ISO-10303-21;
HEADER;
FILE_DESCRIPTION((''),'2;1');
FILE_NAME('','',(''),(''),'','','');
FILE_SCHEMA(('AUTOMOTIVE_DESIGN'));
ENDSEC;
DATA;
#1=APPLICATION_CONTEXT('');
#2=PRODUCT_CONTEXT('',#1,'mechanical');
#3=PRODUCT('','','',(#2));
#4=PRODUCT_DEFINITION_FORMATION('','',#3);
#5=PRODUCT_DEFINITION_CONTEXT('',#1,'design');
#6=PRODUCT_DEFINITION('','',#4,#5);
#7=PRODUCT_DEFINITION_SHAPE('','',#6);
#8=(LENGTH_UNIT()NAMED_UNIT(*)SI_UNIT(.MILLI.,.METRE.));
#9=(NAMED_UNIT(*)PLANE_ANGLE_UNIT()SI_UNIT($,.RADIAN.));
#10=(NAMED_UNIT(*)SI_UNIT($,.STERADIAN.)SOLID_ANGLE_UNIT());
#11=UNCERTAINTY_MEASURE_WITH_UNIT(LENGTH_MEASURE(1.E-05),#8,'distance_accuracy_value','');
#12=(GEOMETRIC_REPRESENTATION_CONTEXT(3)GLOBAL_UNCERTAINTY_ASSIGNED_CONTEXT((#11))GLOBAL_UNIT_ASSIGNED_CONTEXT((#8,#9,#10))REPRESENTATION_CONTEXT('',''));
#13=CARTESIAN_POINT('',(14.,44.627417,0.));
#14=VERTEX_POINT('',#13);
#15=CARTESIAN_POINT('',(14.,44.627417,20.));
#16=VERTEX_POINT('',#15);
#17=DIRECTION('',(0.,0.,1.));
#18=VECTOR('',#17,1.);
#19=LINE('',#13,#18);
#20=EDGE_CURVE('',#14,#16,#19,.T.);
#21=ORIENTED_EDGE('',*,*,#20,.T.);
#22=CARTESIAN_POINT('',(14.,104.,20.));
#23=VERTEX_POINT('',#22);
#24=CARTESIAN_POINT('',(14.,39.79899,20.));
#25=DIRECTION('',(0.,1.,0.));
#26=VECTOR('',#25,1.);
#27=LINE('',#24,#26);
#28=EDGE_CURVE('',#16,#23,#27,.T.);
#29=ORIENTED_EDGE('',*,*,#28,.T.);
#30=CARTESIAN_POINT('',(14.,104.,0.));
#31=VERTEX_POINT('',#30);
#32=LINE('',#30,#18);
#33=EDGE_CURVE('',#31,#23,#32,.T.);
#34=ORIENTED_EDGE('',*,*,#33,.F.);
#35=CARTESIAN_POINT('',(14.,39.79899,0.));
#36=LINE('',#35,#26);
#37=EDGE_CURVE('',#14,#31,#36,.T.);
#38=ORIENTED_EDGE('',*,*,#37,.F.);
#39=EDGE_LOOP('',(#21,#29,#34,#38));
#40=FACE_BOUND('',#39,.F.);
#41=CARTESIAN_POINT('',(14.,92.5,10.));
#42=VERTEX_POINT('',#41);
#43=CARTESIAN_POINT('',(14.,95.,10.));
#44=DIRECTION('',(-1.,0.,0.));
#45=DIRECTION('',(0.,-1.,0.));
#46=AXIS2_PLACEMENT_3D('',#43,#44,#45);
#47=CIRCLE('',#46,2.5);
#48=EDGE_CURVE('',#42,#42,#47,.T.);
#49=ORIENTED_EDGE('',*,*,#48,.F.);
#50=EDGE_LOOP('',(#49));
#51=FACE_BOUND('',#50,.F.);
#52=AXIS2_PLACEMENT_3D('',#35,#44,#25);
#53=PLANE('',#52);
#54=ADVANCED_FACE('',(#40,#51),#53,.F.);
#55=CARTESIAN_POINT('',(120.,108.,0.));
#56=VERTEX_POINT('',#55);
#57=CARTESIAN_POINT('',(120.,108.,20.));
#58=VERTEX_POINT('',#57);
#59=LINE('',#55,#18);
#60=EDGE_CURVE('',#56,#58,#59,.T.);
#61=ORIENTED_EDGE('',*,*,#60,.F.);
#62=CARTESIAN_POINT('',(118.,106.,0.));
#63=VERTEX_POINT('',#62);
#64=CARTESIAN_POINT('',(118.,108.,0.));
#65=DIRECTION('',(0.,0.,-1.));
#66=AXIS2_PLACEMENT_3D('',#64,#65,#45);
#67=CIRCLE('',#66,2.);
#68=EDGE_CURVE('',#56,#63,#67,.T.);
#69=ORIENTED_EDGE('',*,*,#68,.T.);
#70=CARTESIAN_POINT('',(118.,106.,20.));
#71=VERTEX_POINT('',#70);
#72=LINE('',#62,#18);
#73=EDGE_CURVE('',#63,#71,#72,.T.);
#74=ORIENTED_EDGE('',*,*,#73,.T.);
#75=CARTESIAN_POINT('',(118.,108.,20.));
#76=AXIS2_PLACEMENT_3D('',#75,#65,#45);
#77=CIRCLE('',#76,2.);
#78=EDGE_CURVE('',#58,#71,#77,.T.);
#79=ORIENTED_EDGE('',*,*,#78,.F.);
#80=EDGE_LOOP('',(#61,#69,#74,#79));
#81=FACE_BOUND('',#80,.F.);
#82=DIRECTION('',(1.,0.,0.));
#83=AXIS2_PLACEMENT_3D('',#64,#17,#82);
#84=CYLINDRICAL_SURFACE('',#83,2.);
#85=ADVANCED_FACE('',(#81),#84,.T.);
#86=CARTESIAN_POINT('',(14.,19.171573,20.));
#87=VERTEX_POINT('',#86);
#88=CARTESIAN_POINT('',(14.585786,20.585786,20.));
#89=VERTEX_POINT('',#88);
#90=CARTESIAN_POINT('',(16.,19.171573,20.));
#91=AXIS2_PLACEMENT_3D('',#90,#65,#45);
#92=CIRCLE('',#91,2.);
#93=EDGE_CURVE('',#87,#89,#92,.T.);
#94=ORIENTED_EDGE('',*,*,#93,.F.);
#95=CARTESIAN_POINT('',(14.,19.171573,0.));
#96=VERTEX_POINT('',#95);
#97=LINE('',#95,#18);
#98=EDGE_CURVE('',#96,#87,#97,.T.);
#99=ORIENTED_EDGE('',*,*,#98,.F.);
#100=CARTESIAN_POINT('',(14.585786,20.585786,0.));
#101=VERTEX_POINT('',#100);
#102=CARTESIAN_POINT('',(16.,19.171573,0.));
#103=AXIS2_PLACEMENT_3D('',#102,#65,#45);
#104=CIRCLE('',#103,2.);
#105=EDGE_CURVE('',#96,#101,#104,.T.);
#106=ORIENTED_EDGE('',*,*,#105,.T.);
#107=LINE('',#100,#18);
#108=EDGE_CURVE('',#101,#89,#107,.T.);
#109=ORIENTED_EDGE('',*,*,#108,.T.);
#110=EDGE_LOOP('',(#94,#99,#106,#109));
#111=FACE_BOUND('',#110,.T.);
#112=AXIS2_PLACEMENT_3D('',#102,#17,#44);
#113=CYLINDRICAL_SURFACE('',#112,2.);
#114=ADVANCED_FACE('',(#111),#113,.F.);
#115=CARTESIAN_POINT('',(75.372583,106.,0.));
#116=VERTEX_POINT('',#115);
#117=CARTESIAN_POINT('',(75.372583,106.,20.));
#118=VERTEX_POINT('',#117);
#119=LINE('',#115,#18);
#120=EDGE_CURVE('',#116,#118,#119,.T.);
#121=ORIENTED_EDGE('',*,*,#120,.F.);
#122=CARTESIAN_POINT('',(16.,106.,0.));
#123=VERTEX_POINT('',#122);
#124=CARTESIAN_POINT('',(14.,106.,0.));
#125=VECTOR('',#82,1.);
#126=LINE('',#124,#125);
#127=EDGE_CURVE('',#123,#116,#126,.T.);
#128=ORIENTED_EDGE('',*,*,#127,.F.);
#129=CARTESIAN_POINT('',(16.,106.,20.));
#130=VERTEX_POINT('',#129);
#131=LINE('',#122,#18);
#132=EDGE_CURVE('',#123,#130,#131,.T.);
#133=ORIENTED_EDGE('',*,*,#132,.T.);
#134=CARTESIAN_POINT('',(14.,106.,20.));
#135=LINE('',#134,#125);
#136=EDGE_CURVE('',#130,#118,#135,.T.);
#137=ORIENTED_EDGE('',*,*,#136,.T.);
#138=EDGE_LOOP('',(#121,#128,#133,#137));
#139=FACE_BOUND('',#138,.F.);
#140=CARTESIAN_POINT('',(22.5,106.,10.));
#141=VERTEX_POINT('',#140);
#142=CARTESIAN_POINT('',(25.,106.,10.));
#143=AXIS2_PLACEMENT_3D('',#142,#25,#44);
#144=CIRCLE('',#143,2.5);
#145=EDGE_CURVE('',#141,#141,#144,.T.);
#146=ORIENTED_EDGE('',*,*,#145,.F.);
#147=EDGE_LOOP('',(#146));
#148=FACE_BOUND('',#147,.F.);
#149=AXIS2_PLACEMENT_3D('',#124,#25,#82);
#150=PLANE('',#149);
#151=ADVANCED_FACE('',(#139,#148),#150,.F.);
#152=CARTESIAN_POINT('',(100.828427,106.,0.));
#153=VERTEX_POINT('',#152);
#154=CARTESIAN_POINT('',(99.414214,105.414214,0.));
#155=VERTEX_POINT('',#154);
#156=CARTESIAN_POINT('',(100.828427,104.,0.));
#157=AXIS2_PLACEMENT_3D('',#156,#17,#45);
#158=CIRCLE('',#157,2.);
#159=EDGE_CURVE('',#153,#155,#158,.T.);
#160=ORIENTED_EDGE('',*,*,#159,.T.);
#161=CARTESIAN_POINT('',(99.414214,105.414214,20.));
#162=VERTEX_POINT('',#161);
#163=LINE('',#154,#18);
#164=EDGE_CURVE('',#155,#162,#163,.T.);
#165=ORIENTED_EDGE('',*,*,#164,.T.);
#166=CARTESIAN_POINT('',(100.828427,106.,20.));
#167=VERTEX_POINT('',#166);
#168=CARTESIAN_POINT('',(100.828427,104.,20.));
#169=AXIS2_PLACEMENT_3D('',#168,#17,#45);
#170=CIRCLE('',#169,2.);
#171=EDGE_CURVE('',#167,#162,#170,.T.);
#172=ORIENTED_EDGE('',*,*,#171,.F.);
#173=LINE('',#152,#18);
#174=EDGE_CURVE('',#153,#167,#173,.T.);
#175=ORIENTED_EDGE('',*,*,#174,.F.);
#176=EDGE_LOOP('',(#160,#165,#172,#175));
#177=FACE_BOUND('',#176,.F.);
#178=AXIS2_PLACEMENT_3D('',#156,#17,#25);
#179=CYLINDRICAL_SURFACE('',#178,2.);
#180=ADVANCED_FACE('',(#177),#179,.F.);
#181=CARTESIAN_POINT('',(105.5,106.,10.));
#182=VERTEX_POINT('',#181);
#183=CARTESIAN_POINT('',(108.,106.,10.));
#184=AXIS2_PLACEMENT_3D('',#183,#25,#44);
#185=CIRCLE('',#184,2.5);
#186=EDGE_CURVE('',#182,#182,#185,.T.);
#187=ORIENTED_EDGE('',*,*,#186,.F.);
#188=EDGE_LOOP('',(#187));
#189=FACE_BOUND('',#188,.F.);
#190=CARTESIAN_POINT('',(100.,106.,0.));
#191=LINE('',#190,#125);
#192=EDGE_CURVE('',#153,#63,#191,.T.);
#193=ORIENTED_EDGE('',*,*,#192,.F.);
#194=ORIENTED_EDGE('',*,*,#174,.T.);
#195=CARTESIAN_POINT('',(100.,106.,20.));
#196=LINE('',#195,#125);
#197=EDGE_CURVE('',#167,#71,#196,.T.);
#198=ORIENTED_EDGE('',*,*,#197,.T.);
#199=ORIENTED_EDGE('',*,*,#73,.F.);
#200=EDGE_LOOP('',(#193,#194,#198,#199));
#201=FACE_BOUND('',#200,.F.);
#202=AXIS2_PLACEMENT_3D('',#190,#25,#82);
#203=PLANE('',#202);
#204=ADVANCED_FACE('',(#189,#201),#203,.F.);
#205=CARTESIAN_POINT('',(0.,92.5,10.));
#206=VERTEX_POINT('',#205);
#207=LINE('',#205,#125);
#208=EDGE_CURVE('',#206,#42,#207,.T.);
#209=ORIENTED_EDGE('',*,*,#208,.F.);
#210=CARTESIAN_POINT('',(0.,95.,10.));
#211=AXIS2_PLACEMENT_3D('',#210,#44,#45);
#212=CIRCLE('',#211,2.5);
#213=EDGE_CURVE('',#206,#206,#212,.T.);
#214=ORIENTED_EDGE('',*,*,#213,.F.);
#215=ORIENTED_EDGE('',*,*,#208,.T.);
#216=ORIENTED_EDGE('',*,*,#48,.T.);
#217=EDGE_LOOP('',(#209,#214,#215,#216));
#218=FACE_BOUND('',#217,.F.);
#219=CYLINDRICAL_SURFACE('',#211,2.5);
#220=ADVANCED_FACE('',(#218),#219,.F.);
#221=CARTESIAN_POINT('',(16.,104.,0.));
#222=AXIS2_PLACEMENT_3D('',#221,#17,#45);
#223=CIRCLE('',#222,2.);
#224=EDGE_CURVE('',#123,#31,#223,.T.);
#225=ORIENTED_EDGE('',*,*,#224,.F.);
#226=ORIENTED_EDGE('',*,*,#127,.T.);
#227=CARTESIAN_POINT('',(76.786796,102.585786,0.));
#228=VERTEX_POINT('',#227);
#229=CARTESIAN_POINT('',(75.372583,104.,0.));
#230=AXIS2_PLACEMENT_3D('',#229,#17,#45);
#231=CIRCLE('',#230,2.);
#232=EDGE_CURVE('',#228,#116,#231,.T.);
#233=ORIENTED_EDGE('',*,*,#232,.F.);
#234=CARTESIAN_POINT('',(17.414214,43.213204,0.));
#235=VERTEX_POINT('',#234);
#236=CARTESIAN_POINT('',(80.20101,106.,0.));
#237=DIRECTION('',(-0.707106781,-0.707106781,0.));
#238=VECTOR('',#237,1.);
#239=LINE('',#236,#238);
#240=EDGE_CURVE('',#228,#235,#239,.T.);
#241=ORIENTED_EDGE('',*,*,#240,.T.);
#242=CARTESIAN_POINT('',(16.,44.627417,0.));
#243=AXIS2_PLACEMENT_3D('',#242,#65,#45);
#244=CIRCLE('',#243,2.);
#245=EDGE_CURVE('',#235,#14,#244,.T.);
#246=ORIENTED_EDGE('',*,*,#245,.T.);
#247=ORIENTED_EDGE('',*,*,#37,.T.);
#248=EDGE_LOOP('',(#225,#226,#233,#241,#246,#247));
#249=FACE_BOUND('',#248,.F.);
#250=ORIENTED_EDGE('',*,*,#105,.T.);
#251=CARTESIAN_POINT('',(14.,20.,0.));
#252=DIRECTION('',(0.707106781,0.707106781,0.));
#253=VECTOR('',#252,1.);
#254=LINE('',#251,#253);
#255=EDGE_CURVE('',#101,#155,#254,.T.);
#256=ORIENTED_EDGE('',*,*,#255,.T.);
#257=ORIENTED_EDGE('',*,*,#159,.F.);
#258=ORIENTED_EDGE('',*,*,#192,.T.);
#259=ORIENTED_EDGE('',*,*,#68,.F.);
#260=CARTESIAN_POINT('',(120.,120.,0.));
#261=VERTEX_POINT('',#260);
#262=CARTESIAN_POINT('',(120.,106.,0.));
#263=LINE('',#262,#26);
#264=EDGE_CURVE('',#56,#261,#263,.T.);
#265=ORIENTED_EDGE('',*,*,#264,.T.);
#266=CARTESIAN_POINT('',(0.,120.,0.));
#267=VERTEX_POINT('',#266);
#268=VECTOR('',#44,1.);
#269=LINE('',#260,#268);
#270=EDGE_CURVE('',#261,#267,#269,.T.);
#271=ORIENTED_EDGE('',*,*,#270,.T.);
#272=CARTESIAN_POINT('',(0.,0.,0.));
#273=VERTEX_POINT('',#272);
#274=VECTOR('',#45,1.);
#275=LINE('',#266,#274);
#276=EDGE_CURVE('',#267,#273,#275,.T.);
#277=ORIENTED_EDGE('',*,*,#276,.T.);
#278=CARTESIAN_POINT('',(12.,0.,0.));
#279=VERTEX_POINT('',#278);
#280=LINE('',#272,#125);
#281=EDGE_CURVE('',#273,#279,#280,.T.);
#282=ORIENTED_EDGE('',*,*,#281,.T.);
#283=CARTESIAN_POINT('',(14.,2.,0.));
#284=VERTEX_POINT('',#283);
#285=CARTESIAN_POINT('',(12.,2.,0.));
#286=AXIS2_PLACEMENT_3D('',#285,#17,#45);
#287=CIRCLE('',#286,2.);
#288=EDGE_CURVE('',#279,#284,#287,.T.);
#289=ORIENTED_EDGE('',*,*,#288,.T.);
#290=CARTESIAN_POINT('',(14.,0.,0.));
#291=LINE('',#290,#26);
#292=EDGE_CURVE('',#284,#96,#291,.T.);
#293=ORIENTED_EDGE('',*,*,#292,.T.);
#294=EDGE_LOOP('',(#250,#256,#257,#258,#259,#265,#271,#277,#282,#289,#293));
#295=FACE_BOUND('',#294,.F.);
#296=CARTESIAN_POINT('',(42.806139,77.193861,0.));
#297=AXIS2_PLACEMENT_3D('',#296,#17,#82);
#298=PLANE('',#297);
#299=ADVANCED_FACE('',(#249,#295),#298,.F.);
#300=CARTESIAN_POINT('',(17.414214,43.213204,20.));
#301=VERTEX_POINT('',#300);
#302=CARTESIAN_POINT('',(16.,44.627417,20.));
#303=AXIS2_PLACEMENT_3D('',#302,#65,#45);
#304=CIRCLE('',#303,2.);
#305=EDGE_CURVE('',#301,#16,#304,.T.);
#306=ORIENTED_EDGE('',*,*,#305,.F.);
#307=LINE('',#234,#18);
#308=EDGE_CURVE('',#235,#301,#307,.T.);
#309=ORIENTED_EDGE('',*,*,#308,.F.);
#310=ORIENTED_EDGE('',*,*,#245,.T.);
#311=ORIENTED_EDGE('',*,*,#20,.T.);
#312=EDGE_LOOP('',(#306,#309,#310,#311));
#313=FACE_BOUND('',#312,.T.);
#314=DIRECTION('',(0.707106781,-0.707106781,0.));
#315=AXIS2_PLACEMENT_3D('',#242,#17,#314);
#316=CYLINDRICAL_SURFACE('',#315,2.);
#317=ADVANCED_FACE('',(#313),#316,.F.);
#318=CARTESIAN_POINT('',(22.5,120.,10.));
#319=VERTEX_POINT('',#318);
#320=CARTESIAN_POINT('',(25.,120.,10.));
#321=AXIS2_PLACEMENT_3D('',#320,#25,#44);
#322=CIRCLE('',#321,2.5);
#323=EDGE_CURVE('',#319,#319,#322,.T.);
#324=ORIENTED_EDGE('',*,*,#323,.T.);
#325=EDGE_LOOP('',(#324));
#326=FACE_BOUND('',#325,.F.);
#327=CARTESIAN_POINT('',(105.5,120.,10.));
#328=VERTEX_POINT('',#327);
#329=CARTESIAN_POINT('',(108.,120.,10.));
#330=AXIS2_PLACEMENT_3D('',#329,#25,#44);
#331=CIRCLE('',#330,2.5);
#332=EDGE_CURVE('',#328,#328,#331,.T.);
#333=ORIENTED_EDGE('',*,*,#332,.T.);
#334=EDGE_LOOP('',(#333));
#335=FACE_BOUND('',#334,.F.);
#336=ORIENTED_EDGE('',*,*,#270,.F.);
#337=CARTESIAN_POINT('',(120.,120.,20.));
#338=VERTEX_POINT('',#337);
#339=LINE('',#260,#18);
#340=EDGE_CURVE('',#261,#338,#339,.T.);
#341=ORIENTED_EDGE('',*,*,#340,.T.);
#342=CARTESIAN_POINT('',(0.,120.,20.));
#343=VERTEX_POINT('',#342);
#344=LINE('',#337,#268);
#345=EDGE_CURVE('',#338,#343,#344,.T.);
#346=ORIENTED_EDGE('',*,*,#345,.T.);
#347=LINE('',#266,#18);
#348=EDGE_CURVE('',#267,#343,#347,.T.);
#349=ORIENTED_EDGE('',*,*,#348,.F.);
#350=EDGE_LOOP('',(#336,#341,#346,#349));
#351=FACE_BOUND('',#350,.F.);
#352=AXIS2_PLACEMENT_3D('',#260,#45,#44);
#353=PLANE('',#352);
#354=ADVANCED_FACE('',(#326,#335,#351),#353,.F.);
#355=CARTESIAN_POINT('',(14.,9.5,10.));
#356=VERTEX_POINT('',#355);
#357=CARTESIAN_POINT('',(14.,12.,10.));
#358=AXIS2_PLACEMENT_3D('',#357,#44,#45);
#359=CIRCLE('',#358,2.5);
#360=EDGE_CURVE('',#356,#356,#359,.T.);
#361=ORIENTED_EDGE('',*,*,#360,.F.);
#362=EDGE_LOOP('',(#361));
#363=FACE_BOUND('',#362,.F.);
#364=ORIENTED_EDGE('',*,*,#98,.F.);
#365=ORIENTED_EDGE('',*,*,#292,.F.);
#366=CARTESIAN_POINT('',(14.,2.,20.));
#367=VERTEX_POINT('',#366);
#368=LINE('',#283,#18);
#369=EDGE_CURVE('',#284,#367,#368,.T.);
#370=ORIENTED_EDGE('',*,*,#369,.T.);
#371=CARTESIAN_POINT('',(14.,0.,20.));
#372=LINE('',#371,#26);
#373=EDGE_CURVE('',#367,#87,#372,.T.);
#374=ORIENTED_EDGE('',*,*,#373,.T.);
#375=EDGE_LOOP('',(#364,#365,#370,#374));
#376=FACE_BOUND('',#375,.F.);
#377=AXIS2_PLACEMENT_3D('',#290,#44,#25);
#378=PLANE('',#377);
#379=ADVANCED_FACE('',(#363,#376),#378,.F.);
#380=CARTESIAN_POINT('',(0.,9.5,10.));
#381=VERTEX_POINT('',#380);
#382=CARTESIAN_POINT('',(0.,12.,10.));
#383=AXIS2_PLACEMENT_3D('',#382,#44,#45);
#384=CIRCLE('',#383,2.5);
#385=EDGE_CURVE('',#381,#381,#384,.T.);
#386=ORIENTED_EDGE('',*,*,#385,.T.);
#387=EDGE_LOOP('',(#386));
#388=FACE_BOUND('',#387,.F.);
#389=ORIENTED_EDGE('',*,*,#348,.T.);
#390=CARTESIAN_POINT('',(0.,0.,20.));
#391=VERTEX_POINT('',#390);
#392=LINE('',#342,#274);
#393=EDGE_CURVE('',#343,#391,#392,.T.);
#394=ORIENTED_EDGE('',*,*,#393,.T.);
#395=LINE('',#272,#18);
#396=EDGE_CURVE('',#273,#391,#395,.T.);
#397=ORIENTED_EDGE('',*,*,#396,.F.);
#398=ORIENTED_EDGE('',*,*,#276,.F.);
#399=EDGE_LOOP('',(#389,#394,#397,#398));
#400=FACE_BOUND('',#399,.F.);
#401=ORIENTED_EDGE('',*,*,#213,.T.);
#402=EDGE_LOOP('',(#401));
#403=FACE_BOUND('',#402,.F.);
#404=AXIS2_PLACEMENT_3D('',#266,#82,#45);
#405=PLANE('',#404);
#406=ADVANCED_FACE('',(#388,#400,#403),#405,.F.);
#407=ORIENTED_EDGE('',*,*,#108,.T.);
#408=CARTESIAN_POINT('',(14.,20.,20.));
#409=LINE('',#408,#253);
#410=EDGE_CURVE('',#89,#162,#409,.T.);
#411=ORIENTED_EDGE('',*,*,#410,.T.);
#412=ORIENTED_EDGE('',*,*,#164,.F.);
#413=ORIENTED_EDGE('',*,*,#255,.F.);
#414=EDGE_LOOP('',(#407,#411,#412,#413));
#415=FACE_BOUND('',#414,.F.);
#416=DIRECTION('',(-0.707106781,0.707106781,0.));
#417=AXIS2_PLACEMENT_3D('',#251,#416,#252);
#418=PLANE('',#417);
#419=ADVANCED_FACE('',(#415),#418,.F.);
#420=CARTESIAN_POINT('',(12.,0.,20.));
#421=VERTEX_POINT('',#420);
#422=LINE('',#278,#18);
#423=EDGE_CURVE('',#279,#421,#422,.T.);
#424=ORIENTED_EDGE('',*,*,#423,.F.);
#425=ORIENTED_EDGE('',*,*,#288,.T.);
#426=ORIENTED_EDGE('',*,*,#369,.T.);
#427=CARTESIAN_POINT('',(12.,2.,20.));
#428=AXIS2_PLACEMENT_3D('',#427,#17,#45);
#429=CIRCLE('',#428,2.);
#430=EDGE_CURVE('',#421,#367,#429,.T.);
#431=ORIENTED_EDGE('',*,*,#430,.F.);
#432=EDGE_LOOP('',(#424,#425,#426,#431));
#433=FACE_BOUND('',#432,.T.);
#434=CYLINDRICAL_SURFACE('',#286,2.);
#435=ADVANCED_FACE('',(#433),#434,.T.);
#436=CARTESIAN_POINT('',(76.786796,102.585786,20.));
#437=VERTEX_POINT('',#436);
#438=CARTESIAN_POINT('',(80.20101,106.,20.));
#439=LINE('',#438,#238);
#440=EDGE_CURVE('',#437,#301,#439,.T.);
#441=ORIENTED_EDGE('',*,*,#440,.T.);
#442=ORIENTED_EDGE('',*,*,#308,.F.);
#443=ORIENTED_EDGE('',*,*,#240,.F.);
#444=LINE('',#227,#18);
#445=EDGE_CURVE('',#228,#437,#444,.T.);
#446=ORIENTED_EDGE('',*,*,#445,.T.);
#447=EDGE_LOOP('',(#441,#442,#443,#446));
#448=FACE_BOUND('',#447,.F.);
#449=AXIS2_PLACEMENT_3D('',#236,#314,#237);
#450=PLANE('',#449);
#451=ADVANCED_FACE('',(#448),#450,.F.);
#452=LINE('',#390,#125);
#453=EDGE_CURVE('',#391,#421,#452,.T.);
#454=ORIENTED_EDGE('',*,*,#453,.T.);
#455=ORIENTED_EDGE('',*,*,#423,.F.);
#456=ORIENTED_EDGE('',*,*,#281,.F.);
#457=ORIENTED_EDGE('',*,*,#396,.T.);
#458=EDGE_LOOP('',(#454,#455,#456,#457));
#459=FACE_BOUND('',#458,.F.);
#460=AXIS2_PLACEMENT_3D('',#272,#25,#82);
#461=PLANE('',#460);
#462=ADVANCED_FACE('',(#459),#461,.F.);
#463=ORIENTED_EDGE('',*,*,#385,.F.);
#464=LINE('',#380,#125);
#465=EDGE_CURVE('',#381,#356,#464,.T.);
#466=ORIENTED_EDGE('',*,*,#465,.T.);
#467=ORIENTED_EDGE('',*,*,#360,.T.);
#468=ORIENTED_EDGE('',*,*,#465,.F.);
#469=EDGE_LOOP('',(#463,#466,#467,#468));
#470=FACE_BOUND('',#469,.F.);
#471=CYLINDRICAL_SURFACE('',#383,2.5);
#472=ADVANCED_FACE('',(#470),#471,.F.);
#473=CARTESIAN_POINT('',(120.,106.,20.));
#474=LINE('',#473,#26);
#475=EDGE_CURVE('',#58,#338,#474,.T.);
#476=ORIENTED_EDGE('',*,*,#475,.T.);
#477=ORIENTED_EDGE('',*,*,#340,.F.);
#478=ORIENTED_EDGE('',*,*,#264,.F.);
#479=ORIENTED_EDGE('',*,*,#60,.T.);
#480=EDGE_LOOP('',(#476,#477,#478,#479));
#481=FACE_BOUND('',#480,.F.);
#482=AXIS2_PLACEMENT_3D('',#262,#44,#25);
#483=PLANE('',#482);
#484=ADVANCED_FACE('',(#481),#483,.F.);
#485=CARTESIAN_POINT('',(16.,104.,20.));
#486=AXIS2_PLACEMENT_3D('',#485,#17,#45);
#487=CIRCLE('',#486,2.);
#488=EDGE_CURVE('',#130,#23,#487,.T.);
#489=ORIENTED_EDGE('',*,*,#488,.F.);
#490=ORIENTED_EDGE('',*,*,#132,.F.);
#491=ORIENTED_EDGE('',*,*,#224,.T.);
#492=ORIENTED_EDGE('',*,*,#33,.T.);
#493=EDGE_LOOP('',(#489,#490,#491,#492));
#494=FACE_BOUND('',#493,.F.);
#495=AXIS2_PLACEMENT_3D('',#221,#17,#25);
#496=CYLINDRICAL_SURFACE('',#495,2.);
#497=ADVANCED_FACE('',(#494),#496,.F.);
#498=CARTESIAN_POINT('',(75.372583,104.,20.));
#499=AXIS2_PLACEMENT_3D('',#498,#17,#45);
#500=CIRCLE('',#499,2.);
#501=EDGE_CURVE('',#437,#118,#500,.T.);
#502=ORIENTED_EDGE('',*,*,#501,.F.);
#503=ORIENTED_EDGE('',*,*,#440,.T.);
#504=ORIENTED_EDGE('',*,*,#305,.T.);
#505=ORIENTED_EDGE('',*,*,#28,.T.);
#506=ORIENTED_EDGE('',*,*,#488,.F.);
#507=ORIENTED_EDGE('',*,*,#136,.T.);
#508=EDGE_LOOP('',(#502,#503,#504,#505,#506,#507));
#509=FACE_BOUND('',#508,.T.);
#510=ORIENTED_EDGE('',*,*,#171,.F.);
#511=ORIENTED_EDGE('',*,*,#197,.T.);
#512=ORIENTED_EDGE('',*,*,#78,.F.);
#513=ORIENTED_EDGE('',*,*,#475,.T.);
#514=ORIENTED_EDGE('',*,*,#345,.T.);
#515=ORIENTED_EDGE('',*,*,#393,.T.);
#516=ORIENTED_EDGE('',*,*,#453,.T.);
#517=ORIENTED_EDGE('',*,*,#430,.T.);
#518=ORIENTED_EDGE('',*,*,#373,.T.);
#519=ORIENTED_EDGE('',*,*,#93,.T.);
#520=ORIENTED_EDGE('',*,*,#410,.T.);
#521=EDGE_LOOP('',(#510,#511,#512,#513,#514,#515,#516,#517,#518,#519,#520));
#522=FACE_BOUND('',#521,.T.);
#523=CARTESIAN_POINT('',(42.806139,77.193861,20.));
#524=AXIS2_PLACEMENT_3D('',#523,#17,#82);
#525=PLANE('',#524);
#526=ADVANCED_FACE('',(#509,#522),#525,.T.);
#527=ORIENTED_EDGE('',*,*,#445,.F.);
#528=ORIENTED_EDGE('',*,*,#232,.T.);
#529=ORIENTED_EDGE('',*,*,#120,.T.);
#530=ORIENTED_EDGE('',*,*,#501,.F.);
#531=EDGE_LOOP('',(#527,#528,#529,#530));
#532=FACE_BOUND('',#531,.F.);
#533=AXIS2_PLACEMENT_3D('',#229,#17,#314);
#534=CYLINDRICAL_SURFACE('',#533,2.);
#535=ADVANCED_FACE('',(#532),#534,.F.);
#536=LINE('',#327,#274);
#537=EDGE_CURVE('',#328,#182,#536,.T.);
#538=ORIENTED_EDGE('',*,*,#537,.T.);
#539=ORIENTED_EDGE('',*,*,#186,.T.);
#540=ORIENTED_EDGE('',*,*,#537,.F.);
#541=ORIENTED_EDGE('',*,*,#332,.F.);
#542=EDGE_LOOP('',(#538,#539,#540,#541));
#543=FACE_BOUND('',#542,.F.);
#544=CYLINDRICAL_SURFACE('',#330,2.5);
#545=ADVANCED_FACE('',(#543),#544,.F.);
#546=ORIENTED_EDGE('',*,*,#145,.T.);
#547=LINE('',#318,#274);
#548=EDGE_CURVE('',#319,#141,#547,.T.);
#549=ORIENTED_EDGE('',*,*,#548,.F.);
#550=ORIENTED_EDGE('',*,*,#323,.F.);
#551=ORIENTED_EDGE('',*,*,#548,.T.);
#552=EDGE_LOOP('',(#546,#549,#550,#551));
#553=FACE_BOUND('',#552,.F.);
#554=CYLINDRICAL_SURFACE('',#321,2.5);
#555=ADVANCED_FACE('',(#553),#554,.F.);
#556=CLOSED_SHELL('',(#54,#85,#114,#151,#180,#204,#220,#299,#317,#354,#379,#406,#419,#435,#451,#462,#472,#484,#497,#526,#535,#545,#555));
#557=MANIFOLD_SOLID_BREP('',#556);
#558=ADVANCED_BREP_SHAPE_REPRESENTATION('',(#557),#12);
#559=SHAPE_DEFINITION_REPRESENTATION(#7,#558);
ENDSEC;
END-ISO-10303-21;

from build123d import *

# Parameters (mm, degrees)
F1_DEPTH = 20
F2_R     = 2.5
F3_DEPTH = 25
F4_R     = 2.5
F5_DEPTH = 25
F6_R     = 2


with BuildPart() as f1:
    # F0 (on Top) → F1 (new body)
    with BuildSketch(Plane.XY):
        Polygon((0, 120), (0, 0), (14, 0), (14, 20), (100, 106), (120, 106), (120, 120), align=None)
        Polygon((14, 39.79899), (14, 106), (80.20101, 106), align=None, mode=Mode.SUBTRACT)
    extrude(amount=F1_DEPTH)

    # F2 (on face) → F3 (cut)
    with BuildSketch(Plane(origin=(0, 0, 0), x_dir=(0, -1, 0), z_dir=(-1, 0, 0))):
        with Locations((-12, 10)):
            Circle(F2_R)
        with Locations((-95, 10)):
            Circle(F2_R)
    extrude(amount=-F3_DEPTH, mode=Mode.SUBTRACT)

    # F4 (on face) → F5 (cut)
    with BuildSketch(Plane(origin=(0, 120, 0), x_dir=(-1, 0, 0), z_dir=(0, 1, 0))):
        with Locations((-108, 10)):
            Circle(F4_R)
        with Locations((-25, 10)):
            Circle(F4_R)
    extrude(amount=-F5_DEPTH, mode=Mode.SUBTRACT)

    # F6
    f6_edges = [f1.edges().sort_by_distance(p)[0] for p in [
        (14, 39.79899, 10),
        (14, 106, 10),
        (80.20101, 106, 10),
        (14, 20, 10),
        (100, 106, 10),
        (120, 106, 10),
        (14, 0, 10),
    ]]
    fillet(f6_edges, radius=F6_R)


solid = f1.part
